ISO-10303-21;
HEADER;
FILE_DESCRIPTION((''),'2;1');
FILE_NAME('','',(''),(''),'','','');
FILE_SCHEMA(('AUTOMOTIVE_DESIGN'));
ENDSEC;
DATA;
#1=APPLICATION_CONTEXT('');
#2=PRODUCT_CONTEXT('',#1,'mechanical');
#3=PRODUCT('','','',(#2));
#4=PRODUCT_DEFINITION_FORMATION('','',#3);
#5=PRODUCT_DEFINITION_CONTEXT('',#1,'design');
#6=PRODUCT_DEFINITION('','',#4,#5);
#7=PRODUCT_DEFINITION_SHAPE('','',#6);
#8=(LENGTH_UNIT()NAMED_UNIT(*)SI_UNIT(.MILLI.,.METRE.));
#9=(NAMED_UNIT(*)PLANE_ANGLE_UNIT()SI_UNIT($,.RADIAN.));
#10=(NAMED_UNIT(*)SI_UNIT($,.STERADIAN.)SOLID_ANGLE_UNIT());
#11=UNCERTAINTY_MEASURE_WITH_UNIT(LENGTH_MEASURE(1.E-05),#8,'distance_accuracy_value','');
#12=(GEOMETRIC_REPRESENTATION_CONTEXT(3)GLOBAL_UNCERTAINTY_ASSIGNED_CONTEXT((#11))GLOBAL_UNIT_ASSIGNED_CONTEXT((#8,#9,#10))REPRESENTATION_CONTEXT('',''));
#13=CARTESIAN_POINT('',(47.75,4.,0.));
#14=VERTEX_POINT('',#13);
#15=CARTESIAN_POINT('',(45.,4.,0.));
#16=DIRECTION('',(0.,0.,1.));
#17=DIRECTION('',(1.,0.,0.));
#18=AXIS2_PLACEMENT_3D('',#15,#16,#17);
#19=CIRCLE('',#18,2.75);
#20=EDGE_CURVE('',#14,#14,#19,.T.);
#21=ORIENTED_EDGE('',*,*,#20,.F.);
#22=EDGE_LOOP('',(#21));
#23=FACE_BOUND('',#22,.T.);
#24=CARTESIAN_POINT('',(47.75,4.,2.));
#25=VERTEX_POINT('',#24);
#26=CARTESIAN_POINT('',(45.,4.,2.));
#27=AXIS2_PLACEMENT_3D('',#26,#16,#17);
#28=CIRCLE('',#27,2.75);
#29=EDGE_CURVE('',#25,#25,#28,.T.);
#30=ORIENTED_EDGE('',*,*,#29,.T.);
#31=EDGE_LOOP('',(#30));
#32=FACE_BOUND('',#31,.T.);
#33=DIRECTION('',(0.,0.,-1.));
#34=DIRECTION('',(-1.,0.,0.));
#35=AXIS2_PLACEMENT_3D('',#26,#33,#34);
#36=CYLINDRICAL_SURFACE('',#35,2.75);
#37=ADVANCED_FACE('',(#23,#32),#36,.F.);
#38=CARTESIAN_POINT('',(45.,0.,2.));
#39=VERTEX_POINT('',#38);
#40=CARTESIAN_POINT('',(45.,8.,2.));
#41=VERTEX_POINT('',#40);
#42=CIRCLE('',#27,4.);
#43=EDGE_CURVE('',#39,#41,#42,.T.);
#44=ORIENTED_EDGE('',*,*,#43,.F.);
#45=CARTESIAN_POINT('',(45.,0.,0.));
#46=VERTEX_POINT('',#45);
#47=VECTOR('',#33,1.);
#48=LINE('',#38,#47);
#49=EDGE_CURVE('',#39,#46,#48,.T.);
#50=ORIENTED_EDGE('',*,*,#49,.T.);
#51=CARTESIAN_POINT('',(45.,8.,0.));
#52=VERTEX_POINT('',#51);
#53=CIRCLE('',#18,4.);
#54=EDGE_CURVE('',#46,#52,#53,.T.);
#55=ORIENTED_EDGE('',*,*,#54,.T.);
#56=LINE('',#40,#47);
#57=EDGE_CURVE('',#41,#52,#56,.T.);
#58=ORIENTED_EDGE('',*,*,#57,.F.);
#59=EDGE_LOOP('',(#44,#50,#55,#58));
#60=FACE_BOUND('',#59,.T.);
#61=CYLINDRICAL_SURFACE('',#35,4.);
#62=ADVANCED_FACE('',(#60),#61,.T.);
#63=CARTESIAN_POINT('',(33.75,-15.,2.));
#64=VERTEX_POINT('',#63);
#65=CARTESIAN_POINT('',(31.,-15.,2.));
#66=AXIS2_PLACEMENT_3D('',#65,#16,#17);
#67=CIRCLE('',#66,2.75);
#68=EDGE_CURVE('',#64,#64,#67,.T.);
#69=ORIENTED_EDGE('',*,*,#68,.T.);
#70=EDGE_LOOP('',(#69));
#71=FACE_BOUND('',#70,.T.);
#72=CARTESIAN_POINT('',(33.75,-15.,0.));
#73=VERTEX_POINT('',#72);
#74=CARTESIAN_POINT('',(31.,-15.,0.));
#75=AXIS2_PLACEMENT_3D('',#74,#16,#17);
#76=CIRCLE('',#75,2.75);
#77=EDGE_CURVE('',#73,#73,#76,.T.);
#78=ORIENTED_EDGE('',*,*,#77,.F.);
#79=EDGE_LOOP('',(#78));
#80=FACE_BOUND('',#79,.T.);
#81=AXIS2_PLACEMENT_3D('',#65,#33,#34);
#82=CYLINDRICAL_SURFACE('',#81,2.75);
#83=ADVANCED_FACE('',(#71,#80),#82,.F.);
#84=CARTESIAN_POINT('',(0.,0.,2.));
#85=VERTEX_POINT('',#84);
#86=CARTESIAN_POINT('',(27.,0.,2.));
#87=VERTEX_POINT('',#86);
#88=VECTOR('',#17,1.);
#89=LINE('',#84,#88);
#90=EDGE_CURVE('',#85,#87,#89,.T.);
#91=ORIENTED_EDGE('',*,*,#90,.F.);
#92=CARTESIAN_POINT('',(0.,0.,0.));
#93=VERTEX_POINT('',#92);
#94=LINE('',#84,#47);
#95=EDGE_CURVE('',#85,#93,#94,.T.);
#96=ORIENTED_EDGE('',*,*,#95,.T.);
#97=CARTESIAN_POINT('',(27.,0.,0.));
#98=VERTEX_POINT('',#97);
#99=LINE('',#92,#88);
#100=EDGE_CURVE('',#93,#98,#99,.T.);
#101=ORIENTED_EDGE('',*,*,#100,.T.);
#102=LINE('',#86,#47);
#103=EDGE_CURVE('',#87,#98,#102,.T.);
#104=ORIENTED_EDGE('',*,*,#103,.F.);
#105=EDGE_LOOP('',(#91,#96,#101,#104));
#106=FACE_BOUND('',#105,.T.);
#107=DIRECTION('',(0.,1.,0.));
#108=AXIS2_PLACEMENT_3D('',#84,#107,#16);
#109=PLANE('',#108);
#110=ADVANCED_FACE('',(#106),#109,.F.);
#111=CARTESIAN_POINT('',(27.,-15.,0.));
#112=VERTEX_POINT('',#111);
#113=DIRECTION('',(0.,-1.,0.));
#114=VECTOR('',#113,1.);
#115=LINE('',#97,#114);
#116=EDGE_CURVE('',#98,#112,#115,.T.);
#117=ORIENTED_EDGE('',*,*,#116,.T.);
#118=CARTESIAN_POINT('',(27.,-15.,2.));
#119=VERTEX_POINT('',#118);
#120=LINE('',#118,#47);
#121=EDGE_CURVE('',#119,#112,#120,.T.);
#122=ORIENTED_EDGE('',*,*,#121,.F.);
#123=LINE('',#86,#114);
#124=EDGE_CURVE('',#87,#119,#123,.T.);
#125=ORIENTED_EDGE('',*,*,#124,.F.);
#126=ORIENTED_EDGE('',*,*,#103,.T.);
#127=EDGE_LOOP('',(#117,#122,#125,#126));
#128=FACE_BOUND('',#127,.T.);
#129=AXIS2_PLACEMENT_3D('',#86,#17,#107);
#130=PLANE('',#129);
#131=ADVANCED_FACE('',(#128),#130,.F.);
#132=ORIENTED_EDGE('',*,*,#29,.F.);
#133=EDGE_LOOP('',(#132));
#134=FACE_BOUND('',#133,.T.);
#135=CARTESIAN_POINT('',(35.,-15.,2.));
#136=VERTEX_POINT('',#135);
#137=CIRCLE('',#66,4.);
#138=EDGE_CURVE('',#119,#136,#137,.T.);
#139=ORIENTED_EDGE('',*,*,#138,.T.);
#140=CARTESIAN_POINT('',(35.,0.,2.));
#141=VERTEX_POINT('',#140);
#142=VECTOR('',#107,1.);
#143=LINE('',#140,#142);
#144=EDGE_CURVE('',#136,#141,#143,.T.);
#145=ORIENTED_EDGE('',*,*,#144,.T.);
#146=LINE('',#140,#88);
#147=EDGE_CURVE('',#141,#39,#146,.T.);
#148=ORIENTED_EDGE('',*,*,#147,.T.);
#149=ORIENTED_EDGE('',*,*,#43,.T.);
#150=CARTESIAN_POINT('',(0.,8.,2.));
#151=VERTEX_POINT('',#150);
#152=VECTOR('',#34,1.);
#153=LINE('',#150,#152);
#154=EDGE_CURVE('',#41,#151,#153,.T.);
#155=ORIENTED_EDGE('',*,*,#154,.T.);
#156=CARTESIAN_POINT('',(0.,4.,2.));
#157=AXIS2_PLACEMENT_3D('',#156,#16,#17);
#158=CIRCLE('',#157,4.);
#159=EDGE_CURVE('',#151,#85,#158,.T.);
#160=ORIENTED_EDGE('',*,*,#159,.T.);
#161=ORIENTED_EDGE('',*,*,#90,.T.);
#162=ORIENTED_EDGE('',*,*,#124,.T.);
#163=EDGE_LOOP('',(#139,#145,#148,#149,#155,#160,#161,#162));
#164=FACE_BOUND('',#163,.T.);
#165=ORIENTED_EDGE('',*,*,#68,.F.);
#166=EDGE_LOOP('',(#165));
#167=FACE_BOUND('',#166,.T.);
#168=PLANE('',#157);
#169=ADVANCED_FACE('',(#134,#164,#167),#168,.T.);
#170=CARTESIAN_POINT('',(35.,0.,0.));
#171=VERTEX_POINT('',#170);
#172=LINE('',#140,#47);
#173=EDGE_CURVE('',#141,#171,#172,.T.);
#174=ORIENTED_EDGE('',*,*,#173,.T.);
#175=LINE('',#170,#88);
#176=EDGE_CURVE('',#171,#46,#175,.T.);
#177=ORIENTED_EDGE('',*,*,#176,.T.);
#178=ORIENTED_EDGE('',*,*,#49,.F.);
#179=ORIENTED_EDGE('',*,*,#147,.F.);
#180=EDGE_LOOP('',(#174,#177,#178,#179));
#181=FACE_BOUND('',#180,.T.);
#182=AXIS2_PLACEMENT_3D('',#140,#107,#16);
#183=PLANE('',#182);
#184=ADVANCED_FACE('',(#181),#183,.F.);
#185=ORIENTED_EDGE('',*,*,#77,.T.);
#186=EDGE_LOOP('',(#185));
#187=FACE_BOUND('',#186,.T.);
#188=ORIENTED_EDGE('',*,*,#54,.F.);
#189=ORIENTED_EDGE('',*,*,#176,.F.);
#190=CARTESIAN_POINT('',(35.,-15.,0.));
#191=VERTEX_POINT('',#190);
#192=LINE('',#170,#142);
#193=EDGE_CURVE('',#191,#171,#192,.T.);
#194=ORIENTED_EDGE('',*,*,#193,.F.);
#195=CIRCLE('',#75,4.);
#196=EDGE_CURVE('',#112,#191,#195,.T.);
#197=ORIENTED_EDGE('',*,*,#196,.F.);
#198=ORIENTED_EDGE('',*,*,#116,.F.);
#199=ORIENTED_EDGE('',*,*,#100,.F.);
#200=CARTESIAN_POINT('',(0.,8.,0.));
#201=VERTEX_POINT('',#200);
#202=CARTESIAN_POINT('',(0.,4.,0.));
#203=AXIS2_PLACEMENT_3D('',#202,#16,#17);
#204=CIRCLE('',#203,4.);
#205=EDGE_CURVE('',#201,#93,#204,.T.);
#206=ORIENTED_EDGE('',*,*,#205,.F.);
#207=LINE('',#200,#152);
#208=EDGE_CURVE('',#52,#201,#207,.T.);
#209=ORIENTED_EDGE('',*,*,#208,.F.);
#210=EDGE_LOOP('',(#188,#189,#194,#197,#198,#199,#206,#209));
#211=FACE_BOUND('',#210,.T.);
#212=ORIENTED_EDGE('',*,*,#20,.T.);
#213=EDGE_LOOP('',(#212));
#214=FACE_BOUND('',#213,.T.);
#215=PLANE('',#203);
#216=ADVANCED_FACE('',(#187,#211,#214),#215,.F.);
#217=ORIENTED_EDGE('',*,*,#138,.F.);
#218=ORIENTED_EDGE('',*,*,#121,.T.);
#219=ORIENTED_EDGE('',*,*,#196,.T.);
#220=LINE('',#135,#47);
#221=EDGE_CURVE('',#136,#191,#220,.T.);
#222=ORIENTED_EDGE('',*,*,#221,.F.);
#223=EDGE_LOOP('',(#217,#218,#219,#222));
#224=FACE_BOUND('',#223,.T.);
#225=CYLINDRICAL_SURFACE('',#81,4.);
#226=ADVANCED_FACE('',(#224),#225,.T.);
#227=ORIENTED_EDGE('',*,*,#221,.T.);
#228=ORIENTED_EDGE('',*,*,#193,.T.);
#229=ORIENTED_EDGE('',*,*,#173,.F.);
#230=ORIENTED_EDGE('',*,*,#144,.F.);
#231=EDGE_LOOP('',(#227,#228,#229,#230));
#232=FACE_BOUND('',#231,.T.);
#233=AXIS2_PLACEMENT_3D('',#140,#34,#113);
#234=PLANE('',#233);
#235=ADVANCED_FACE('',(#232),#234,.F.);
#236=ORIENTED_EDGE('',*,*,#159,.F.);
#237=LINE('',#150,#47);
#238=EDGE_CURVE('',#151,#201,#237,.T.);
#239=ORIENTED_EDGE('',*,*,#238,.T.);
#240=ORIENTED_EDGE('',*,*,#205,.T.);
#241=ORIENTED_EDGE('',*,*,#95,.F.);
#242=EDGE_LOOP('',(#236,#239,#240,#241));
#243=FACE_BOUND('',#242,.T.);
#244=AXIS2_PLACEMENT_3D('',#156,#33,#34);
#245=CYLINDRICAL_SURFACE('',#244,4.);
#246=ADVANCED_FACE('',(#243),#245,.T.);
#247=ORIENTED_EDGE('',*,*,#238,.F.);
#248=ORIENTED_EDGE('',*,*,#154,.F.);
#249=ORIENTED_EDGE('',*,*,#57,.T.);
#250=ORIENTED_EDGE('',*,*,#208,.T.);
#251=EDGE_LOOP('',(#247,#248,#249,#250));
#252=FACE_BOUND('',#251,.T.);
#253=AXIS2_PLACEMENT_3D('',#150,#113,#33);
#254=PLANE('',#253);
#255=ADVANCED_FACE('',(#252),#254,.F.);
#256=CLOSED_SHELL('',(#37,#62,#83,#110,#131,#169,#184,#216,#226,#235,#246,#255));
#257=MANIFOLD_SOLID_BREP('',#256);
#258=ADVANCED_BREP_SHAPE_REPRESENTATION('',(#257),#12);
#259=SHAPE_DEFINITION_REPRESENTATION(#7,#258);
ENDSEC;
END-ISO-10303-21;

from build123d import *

# Parameters (mm, degrees)
SKETCH1_R           = 2.75
BOSS_EXTRUDE2_DEPTH = 2


with BuildPart() as part:
    # Sketch1 → Boss-Extrude2 (new body)
    with BuildSketch(Plane.XY):
        with BuildLine():
            Line((35, 0), (45, 0))
            ThreePointArc((45, 0), (49, 4), (45, 8))
            Line((45, 8), (0, 8))
            ThreePointArc((0, 8), (-4, 4), (0, 0))
            Line((0, 0), (27, 0))
            Line((27, 0), (27, -15))
            ThreePointArc((27, -15), (31, -19), (35, -15))
            Line((35, -15), (35, 0))
        make_face()
        with Locations((45, 4)):
            Circle(SKETCH1_R, mode=Mode.SUBTRACT)
        with Locations((31, -15)):
            Circle(SKETCH1_R, mode=Mode.SUBTRACT)
    extrude(amount=BOSS_EXTRUDE2_DEPTH)


solid = part.part
